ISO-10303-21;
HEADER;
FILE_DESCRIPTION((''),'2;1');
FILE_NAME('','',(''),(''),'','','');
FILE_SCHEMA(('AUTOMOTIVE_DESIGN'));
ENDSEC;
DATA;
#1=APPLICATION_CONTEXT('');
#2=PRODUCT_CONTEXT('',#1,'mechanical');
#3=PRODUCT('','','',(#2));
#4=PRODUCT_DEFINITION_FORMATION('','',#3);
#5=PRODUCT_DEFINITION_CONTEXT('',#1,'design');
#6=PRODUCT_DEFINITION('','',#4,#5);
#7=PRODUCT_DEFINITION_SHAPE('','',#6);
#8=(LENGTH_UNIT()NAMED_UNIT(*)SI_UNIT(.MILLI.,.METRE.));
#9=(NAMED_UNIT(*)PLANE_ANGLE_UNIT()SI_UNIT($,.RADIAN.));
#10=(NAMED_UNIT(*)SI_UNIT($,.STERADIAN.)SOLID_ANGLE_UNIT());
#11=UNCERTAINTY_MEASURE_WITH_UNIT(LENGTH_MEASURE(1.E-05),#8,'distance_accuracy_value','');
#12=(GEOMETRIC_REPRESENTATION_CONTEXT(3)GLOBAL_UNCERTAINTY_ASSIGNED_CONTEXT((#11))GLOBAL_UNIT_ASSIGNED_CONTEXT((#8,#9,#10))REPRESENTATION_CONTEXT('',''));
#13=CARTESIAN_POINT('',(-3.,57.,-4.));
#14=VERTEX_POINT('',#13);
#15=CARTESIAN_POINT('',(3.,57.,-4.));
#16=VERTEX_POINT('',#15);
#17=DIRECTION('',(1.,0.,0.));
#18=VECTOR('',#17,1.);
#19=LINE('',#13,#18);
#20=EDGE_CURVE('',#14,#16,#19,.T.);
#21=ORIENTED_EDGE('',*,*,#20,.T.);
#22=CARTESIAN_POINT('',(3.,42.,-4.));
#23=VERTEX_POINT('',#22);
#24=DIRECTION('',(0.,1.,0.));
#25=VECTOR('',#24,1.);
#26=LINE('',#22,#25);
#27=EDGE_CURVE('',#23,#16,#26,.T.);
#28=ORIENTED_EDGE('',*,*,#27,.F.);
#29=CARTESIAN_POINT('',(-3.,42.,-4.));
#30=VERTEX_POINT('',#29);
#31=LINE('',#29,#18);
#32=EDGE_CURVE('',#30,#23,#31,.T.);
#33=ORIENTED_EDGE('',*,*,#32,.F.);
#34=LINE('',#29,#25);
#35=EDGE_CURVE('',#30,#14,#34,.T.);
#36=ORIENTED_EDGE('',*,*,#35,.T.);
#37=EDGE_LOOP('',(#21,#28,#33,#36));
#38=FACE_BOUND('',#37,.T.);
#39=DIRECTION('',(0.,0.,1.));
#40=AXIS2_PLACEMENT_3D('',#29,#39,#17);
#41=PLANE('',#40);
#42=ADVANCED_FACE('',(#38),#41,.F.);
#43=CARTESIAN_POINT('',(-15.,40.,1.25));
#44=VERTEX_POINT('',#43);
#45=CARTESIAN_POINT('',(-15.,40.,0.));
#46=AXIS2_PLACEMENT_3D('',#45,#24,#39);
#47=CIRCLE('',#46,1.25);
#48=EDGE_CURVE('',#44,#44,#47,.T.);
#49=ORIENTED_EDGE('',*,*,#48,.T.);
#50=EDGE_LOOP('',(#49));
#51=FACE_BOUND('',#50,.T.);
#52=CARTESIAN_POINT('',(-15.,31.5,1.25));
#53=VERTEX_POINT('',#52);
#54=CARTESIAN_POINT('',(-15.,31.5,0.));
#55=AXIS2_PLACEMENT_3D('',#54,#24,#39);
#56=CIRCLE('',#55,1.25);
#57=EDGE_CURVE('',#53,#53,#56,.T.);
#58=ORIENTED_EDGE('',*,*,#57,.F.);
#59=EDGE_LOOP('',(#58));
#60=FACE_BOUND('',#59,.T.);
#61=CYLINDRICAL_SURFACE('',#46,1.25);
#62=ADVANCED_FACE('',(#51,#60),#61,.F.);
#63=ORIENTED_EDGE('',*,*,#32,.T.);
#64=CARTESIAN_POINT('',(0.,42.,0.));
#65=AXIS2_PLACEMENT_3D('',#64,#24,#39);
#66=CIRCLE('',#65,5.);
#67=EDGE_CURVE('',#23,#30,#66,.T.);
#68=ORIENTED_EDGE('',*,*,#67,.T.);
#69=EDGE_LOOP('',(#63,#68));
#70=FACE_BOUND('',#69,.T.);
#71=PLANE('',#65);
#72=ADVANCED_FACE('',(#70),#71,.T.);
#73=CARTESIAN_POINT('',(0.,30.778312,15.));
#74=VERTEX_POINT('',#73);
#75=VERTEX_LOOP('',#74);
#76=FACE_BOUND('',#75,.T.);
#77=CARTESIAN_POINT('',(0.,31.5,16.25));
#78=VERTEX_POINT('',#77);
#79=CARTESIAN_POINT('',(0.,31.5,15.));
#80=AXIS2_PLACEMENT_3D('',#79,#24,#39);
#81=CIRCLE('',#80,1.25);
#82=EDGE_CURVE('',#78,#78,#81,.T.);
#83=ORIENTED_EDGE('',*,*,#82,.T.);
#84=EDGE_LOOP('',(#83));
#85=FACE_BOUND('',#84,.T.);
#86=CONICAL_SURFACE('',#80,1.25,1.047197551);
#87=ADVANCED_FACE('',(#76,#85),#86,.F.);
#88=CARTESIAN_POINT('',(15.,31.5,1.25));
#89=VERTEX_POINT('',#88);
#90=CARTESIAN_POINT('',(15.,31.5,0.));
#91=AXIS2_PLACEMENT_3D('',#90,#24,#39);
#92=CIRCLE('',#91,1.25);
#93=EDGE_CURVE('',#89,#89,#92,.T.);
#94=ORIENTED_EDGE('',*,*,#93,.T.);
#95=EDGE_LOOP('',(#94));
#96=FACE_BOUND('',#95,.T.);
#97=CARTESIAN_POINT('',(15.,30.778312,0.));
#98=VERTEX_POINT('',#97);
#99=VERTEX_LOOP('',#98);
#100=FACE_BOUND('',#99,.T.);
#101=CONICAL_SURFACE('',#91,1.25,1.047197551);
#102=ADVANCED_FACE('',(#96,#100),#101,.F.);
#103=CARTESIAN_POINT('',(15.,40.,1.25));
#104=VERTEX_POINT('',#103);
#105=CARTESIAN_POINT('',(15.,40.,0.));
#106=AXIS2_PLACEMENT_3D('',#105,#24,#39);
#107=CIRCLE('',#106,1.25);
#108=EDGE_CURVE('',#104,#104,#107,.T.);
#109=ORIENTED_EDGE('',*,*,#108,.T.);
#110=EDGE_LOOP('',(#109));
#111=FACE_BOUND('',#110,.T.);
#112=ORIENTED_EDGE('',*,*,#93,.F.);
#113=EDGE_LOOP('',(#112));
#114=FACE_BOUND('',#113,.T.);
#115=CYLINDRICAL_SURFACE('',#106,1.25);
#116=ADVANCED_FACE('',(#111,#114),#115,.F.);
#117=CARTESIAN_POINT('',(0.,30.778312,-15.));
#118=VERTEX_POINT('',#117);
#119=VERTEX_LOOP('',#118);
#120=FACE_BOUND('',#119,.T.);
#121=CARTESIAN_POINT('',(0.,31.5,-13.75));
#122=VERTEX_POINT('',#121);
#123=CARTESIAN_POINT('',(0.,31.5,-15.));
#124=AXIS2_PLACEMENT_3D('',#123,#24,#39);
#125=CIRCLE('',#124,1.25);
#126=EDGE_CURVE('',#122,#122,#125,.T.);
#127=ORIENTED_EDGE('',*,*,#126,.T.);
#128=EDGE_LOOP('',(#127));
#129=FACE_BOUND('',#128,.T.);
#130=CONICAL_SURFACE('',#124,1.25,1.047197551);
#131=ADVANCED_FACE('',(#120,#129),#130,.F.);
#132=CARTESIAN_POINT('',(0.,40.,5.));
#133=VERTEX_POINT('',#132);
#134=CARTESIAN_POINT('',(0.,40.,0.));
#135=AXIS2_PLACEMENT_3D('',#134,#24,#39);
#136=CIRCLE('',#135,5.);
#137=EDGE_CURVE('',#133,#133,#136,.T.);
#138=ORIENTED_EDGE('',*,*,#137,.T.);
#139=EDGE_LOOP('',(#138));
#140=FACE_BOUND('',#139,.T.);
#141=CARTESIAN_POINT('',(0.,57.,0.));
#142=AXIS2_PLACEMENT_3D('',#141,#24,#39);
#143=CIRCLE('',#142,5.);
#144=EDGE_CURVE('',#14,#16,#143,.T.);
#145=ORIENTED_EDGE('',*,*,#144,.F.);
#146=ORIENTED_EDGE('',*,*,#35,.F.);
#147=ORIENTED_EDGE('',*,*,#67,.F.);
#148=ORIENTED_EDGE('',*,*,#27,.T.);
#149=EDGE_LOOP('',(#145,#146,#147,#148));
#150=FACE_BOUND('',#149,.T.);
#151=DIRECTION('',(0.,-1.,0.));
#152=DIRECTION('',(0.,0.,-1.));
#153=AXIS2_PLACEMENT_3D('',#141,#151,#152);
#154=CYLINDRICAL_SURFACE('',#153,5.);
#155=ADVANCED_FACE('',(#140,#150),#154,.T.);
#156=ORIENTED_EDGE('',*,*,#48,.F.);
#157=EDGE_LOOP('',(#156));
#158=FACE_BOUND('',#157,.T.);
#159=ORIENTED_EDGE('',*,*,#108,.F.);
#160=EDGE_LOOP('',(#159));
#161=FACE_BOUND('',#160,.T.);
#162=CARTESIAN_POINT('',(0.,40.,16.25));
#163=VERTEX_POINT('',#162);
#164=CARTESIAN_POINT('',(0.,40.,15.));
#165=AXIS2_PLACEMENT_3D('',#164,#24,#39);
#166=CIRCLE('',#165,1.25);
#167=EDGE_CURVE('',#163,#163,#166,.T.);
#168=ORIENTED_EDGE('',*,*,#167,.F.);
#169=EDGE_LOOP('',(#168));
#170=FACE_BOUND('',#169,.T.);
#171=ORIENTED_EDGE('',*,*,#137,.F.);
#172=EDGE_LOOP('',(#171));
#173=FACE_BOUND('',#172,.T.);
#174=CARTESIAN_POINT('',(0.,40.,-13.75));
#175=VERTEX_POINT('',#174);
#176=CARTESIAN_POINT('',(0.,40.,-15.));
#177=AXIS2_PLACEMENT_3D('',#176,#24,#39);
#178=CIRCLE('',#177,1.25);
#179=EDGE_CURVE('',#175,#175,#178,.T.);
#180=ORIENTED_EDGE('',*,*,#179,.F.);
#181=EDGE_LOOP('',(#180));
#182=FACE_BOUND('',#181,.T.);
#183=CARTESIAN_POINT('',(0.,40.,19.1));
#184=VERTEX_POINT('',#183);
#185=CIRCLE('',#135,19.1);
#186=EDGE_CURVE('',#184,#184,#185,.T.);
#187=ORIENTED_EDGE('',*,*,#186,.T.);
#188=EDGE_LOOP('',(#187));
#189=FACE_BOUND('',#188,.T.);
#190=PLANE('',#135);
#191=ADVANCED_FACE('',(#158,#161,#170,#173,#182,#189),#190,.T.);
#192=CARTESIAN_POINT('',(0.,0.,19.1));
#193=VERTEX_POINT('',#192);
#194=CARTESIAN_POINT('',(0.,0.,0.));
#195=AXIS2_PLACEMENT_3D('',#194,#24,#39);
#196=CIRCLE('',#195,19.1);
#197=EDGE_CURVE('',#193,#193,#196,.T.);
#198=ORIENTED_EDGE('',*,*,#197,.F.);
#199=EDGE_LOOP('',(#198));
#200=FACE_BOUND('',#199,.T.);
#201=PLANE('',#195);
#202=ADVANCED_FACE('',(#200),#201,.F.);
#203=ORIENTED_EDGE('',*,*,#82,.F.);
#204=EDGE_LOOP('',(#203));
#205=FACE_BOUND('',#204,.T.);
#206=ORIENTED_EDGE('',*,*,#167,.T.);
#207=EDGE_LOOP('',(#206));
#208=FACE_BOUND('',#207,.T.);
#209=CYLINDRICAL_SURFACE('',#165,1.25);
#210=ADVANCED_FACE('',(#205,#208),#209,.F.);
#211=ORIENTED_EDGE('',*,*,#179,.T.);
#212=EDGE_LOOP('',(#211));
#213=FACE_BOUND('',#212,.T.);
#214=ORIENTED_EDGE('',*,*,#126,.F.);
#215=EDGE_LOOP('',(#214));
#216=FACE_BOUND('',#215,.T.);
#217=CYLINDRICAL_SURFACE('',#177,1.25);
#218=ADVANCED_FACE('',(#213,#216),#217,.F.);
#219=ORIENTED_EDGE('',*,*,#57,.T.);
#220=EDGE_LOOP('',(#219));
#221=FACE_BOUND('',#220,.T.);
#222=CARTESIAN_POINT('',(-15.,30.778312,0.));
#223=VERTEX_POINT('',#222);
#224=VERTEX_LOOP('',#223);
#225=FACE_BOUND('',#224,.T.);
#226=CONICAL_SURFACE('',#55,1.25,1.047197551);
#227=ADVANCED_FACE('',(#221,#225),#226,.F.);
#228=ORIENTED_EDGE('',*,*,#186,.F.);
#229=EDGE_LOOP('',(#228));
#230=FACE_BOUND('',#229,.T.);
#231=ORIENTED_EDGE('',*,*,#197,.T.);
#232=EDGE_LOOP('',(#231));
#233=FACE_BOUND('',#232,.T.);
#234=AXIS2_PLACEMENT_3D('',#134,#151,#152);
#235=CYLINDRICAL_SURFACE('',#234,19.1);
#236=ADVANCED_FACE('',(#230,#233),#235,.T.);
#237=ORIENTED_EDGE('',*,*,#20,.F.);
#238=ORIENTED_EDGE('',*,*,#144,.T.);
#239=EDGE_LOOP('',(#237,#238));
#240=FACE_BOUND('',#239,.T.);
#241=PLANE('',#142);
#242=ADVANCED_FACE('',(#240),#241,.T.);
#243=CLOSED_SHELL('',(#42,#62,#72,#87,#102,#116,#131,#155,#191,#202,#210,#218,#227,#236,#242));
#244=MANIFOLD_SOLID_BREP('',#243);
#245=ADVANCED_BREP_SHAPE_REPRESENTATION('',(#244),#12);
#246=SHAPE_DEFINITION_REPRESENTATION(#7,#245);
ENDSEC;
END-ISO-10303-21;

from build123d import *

# Parameters (mm, degrees)
SKETCH_1_R             = 19.1
EXTRUDE_1_DEPTH        = 40
SKETCH_2_R             = 5
EXTRUDE_2_DEPTH        = 17
CUT_EXTRUDE_START      = -15
CUT_EXTRUDE_1_DEPTH    = 15
HOLE_WIZARD_M3_1_D     = 2.5
HOLE_WIZARD_M3_1_DEPTH = 8.5
HOLE_WIZARD_M3_1_TIP   = 0.721687836


with BuildPart() as part:
    # 草图1 → 凸台-拉伸1 (new body)
    with BuildSketch(Plane(origin=(0, 0, 0), x_dir=(1, 0, 0), z_dir=(0, 1, 0))):
        with Locations(Location((0, 0, 0), (0, 0, 270))):
            Circle(SKETCH_1_R)
    extrude(amount=EXTRUDE_1_DEPTH)

    # 草图2 → 凸台-拉伸2 (add)
    with BuildSketch(Plane(origin=(0, 40, 0), x_dir=(1, 0, 0), z_dir=(0, 1, 0))):
        with Locations(Location((0, 0, 0), (0, 0, 270))):
            Circle(SKETCH_2_R)
    extrude(amount=EXTRUDE_2_DEPTH)

    # 草图3 → 切除-拉伸1 (cut)
    with BuildSketch(Plane(origin=(0, 57, 0), x_dir=(1, 0, 0), z_dir=(0, 1, 0)).offset(CUT_EXTRUDE_START)):
        with BuildLine():
            Line((-3, 4), (3, 4))
            ThreePointArc((3, 4), (0, 5), (-3, 4))
        make_face()
    extrude(amount=CUT_EXTRUDE_1_DEPTH, mode=Mode.SUBTRACT)

    # M3 螺纹孔1
    with Locations(Plane(origin=(0, 40, -15), x_dir=(0, 0, 1), z_dir=(0, 1, 0))):
        with Locations((0, 0), (15, -15), (15, 15), (30, 0)):
            Hole(HOLE_WIZARD_M3_1_D / 2, depth=HOLE_WIZARD_M3_1_DEPTH)
            with Locations((0, 0, -(HOLE_WIZARD_M3_1_DEPTH + HOLE_WIZARD_M3_1_TIP / 2))):  # 120° drill point
                Cone(0, HOLE_WIZARD_M3_1_D / 2, HOLE_WIZARD_M3_1_TIP, mode=Mode.SUBTRACT)


solid = part.part
